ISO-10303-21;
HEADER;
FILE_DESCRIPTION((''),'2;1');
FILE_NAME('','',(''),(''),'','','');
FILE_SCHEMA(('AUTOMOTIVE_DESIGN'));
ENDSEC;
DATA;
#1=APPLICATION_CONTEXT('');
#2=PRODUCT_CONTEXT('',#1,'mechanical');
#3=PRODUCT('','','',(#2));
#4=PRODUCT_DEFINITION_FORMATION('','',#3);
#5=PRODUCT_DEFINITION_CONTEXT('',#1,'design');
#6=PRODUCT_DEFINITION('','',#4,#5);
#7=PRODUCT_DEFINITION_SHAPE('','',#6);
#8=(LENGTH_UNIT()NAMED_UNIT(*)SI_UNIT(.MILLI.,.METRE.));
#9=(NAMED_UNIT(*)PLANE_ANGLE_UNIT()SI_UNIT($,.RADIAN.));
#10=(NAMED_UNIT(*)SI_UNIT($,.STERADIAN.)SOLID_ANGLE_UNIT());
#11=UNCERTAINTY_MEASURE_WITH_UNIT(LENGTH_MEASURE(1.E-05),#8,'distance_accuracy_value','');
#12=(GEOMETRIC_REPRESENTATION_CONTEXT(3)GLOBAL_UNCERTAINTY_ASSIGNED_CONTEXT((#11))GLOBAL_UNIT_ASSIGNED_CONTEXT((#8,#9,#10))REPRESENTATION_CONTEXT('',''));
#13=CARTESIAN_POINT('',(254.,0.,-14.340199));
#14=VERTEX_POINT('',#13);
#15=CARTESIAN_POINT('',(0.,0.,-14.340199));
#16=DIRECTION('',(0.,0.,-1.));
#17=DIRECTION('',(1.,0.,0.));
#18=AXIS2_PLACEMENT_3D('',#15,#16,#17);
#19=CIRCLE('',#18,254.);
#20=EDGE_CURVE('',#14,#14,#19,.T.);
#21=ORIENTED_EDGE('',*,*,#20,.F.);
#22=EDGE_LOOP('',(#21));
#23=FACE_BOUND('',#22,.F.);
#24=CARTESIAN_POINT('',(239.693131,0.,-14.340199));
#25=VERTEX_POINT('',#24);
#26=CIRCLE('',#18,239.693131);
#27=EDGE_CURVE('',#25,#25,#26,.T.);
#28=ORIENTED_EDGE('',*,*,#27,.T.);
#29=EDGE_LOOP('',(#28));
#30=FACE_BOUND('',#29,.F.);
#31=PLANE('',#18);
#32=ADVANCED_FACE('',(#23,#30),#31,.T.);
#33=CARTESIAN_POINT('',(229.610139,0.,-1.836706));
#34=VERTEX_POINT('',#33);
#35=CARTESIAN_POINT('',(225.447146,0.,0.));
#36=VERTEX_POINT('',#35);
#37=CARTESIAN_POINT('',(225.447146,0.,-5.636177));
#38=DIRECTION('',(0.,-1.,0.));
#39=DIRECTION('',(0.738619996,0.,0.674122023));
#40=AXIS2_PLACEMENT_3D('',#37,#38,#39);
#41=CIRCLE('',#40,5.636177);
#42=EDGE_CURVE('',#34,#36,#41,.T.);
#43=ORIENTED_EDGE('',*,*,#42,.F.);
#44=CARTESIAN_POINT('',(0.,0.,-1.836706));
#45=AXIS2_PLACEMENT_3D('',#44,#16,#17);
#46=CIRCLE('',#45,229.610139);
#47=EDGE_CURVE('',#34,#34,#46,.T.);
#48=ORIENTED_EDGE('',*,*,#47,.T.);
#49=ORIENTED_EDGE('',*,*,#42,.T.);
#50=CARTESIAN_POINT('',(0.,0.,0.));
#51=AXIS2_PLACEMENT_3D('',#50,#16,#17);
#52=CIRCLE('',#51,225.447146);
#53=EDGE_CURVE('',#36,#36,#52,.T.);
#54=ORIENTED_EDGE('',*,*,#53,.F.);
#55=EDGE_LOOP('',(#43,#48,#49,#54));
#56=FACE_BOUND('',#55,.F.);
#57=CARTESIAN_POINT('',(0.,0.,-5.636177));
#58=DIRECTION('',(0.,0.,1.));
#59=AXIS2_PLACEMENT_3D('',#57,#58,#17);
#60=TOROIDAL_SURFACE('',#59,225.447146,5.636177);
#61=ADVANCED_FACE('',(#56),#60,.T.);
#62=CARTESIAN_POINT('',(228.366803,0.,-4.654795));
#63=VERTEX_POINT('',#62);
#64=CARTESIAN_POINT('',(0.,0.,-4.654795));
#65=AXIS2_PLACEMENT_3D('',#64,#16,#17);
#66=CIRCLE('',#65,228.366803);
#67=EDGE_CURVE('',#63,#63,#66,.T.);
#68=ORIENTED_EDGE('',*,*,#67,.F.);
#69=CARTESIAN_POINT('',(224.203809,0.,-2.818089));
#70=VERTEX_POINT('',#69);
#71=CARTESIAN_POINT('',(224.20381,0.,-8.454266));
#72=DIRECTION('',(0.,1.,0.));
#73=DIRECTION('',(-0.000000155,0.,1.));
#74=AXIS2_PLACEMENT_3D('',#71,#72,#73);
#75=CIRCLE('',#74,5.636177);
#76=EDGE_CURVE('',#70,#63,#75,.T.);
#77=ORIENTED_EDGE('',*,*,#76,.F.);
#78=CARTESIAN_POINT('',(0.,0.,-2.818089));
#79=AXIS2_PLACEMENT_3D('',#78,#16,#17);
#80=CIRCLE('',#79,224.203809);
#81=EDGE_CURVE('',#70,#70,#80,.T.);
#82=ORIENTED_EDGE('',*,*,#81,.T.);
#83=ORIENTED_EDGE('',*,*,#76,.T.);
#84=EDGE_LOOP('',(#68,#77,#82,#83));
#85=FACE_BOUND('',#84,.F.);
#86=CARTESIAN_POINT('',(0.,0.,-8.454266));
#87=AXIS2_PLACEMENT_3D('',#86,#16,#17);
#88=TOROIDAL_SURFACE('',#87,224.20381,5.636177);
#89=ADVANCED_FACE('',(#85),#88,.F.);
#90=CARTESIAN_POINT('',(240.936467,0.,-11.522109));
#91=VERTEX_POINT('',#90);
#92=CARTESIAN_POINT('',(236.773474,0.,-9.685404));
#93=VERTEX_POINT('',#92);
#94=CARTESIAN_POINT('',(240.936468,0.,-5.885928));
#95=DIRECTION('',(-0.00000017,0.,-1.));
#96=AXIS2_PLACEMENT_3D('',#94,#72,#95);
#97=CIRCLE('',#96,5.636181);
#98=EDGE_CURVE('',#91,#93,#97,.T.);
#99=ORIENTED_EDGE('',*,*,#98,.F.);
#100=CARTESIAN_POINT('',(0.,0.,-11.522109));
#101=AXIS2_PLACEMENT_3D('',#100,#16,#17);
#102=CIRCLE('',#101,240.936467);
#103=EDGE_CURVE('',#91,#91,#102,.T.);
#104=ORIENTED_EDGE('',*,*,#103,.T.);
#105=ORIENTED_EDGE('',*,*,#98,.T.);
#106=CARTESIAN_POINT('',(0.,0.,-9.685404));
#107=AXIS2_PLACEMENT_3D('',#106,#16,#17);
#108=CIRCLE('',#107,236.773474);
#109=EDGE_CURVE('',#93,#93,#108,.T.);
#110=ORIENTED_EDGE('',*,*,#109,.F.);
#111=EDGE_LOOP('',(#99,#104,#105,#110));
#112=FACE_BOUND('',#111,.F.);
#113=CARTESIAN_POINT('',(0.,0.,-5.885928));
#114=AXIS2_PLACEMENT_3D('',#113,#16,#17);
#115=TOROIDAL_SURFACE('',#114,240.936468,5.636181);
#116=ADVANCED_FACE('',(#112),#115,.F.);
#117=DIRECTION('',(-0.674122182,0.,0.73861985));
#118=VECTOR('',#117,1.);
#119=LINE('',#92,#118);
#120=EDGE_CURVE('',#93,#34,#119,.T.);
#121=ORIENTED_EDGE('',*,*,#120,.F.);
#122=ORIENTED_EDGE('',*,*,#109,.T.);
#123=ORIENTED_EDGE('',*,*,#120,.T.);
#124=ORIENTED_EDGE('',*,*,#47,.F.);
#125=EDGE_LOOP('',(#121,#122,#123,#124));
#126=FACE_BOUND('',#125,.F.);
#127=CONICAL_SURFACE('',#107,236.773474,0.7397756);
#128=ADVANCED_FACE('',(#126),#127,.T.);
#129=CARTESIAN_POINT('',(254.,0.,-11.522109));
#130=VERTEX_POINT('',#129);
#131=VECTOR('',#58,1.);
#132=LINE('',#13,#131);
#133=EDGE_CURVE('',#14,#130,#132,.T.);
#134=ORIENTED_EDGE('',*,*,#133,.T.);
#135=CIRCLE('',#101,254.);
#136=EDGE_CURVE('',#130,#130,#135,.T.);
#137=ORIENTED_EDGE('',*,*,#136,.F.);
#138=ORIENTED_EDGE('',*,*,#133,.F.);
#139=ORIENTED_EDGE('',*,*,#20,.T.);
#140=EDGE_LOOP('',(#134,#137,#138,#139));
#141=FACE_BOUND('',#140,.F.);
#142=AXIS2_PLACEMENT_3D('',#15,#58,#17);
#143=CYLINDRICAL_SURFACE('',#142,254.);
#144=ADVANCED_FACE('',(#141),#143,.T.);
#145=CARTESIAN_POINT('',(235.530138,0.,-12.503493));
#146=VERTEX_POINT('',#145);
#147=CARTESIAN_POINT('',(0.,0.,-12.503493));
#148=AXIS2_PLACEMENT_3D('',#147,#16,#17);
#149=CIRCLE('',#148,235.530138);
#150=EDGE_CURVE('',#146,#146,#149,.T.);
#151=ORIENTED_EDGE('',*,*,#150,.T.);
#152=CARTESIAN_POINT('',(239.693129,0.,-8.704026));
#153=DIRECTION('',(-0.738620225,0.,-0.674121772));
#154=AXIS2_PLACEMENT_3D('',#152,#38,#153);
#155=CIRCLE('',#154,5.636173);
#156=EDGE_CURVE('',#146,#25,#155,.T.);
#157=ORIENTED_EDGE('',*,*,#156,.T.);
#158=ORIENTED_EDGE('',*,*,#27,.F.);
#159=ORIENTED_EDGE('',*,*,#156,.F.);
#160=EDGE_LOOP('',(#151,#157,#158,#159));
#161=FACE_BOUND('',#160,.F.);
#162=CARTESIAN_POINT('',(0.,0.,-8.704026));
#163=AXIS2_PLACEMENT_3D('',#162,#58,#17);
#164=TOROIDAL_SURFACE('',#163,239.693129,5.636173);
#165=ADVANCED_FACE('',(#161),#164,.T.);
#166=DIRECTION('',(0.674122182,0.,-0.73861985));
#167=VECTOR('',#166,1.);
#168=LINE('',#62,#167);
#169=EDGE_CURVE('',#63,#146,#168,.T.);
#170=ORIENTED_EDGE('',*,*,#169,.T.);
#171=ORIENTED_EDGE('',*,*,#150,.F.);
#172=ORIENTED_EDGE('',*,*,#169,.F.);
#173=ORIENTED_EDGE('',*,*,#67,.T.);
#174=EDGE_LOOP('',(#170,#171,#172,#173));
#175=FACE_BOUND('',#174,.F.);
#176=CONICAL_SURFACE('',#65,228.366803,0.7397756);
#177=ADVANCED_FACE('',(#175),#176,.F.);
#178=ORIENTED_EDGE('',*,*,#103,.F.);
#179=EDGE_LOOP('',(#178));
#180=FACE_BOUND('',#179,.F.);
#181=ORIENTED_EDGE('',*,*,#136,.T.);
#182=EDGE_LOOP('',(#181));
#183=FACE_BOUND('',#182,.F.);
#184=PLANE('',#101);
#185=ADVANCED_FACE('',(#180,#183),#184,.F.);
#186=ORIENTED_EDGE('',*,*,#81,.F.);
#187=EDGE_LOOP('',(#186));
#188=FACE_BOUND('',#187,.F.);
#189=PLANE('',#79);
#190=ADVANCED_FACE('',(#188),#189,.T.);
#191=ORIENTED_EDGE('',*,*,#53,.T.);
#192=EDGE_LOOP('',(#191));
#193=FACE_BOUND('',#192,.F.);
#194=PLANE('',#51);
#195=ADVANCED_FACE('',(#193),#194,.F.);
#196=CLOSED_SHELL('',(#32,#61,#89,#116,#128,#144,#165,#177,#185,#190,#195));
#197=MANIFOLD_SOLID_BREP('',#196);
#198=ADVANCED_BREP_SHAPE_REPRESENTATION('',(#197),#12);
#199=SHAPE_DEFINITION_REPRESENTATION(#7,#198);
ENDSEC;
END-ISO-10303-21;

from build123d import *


with BuildPart() as f1:
    # F0 (on Front) → F1 (revolve)
    with BuildSketch(Plane.XZ):
        with BuildLine():
            Line((225.447146, 0), (0, 0))
            Line((0, 0), (0, -2.818089))
            Line((0, -2.818089), (224.203809, -2.818089))
            ThreePointArc((224.203809, -2.818089), (226.478892, -3.297669), (228.366803, -4.654795))
            Line((228.366803, -4.654795), (235.530138, -12.503493))
            ThreePointArc((235.530138, -12.503493), (237.418048, -13.860619), (239.693131, -14.340199))
            Line((239.693131, -14.340199), (254, -14.340199))
            Line((254, -14.340199), (254, -11.522109))
            Line((254, -11.522109), (240.936467, -11.522109))
            ThreePointArc((240.936467, -11.522109), (238.661385, -11.042529), (236.773474, -9.685404))
            Line((236.773474, -9.685404), (229.610139, -1.836706))
            ThreePointArc((229.610139, -1.836706), (227.722228, -0.47958), (225.447146, 0))
        make_face()
    revolve(axis=Axis((0, 0, -1.409045), (0, 0, -1)))


solid = f1.part
